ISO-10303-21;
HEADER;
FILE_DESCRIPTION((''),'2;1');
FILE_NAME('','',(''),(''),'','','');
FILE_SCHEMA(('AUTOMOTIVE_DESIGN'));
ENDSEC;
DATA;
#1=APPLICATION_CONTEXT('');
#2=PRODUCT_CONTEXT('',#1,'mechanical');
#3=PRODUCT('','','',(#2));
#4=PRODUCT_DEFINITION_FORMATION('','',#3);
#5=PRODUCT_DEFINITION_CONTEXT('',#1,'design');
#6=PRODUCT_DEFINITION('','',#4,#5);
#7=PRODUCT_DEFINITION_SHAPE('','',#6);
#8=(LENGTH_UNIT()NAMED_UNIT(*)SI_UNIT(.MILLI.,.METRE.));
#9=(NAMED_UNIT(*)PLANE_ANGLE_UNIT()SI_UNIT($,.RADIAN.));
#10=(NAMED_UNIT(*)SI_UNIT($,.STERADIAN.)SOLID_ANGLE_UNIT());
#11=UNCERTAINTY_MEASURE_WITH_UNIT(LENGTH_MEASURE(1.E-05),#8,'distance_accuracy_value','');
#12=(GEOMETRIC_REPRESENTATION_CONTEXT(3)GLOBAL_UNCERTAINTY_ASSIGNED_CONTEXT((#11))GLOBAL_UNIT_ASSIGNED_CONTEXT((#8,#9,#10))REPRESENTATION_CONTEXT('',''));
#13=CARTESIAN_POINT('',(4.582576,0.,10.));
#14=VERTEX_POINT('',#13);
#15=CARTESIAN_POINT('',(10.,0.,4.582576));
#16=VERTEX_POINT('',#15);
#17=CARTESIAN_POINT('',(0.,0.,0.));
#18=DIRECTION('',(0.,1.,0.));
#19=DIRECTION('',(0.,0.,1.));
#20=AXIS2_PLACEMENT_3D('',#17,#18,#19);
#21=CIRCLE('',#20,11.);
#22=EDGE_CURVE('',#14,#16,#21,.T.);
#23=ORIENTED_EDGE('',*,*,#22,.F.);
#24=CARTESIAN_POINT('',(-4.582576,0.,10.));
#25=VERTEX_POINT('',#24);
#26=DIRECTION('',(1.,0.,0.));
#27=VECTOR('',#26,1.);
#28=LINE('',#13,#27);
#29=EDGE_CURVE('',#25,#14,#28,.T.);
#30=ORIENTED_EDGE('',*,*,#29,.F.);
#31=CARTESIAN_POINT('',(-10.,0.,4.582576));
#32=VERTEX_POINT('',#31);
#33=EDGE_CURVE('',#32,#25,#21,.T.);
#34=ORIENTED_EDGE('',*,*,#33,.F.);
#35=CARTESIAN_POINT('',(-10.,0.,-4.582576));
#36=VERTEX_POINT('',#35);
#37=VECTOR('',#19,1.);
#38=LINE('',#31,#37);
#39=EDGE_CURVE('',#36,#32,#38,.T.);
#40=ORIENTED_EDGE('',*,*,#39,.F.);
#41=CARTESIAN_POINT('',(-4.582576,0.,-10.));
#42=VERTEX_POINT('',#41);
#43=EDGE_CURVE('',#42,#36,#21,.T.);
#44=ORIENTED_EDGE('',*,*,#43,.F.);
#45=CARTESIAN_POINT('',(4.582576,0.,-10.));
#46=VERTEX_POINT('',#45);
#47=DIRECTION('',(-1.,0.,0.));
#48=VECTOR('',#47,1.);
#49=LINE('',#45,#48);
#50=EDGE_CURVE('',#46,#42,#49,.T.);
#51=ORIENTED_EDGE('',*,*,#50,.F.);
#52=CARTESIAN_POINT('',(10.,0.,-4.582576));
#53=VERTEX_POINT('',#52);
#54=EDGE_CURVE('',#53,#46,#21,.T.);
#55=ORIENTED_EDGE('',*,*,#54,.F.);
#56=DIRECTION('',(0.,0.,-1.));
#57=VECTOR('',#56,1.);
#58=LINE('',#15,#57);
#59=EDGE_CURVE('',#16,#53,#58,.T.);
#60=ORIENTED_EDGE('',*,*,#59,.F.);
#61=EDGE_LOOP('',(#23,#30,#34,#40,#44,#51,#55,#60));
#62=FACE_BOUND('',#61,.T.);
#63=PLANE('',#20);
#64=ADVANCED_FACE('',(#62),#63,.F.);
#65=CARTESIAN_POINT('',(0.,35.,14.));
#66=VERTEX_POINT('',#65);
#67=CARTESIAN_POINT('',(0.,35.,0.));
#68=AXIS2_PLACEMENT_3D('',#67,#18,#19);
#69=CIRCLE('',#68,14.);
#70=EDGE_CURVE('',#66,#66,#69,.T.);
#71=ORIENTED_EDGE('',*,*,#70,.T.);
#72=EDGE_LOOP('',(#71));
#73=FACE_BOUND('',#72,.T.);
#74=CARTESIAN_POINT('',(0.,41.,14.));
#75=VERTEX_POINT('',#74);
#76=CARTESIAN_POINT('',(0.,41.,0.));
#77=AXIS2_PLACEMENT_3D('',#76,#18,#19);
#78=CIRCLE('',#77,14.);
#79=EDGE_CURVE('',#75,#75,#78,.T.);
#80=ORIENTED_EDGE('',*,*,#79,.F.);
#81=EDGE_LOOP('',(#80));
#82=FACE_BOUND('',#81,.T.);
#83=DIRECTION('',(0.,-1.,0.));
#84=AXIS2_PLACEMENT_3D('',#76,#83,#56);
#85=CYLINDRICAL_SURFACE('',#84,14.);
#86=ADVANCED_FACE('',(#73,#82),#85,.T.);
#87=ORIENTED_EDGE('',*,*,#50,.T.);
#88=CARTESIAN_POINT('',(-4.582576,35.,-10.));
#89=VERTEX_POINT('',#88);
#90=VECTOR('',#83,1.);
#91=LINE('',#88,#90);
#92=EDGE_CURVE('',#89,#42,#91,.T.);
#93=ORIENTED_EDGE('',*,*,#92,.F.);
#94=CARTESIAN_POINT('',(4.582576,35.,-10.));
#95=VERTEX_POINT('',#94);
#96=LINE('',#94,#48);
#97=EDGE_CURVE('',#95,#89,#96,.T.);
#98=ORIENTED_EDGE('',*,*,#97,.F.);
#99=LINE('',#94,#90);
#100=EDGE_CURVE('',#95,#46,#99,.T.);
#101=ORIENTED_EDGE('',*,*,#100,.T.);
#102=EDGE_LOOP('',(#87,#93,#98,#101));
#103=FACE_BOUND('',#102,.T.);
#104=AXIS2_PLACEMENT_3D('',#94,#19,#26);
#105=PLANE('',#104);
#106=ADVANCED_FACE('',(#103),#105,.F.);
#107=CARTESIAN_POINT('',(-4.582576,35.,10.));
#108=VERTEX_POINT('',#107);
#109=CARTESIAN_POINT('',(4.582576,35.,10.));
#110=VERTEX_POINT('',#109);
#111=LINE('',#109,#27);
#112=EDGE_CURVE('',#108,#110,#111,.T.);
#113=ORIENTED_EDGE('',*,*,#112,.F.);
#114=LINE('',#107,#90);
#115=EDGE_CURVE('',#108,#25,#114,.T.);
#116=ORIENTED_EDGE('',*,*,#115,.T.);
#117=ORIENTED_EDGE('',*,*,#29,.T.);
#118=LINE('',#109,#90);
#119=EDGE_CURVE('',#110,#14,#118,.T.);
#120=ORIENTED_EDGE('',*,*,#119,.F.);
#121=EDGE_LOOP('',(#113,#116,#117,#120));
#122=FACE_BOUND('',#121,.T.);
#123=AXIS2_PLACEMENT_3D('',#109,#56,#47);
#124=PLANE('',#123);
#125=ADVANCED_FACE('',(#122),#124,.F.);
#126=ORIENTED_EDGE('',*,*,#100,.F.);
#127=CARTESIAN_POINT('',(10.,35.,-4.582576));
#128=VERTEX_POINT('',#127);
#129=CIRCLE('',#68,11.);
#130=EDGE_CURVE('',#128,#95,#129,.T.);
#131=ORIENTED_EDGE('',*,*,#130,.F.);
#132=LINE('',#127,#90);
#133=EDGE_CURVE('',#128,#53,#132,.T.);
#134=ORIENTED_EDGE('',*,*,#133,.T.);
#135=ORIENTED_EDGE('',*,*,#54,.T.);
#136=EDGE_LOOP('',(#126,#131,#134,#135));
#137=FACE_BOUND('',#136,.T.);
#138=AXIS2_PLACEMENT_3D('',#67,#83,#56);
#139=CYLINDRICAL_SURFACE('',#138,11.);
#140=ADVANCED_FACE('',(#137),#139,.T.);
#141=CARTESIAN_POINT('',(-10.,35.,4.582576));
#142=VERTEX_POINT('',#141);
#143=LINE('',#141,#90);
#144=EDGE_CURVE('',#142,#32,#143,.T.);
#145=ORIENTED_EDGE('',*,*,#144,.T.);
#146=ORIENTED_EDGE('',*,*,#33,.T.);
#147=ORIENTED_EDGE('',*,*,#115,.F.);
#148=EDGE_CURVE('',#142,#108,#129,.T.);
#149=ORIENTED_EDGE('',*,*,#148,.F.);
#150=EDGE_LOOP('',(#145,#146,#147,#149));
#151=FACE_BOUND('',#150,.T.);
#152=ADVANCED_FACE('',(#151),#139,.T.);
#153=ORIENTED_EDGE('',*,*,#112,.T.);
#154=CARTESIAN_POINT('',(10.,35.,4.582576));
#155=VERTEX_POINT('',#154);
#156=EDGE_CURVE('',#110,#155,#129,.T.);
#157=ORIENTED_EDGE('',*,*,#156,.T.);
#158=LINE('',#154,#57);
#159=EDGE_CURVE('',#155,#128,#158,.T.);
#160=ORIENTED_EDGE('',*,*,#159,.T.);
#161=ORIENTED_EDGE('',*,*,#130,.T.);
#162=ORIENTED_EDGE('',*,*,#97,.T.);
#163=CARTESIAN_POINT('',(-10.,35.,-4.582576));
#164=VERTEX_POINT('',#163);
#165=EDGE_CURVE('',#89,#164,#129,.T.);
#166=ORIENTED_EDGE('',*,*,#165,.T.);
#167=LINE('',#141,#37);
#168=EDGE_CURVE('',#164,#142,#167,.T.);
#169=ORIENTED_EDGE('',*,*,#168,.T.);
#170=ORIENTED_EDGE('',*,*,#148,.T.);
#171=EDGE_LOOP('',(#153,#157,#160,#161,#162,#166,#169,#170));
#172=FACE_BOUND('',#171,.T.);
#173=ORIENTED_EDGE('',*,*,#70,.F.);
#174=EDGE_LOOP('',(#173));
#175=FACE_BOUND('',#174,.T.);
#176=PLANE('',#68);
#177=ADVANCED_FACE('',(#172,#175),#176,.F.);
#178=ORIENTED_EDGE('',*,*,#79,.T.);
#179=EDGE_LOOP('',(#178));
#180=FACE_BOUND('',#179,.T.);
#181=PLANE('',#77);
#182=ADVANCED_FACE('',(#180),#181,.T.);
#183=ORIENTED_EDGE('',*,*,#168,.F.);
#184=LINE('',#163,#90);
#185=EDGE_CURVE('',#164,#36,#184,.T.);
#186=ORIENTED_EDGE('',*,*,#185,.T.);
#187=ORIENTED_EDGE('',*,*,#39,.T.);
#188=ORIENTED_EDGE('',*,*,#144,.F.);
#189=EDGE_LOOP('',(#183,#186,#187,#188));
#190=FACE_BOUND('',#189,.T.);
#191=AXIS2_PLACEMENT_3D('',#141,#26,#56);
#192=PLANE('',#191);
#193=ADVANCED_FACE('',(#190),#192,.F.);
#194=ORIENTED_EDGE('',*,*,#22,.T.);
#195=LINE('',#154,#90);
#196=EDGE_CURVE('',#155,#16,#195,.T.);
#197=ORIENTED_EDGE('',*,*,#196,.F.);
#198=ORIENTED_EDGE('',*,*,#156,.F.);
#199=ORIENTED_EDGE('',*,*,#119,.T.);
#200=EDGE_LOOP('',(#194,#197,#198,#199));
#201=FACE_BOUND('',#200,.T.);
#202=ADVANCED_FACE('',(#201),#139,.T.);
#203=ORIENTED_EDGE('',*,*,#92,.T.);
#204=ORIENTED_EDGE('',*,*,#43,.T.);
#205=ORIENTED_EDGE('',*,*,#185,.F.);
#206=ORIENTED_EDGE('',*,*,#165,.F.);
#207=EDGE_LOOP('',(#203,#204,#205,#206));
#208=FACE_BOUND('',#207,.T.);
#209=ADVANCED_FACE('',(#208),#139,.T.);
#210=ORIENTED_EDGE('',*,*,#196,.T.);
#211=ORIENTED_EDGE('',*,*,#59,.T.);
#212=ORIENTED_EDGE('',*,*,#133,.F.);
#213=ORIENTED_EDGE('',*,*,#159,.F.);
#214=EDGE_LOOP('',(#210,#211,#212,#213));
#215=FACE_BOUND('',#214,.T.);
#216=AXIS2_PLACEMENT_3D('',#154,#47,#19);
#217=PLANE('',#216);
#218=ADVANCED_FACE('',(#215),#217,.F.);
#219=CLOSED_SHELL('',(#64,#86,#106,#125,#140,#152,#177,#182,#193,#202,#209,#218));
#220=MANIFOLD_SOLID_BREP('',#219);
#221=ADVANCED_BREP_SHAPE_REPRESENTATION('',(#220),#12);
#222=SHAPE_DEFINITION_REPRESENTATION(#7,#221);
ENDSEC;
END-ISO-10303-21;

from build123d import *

# Parameters (mm, degrees)
EXTRUDE_1_DEPTH = 35
SKETCH_2_R      = 14
EXTRUDE_2_DEPTH = 6


with BuildPart() as part:
    # 草图1 → 凸台-拉伸1 (new body)
    with BuildSketch(Plane(origin=(0, 0, 0), x_dir=(1, 0, 0), z_dir=(0, 1, 0))):
        with BuildLine():
            Line((4.582575695, -10), (-4.582575695, -10))
            ThreePointArc((-4.582575695, -10), (-7.778174593, -7.778174593), (-10, -4.582575695))
            Line((-10, -4.582575695), (-10, 4.582575695))
            ThreePointArc((-10, 4.582575695), (-7.778174593, 7.778174593), (-4.582575695, 10))
            Line((-4.582575695, 10), (4.582575695, 10))
            ThreePointArc((4.582575695, 10), (7.778174593, 7.778174593), (10, 4.582575695))
            Line((10, 4.582575695), (10, -4.582575695))
            ThreePointArc((10, -4.582575695), (7.778174593, -7.778174593), (4.582575695, -10))
        make_face()
    extrude(amount=EXTRUDE_1_DEPTH)

    # 草图2 → 凸台-拉伸2 (add)
    with BuildSketch(Plane(origin=(0, 35, 0), x_dir=(1, 0, 0), z_dir=(0, 1, 0))):
        with Locations(Location((0, 0, 0), (0, 0, 270))):
            Circle(SKETCH_2_R)
    extrude(amount=EXTRUDE_2_DEPTH)


solid = part.part
